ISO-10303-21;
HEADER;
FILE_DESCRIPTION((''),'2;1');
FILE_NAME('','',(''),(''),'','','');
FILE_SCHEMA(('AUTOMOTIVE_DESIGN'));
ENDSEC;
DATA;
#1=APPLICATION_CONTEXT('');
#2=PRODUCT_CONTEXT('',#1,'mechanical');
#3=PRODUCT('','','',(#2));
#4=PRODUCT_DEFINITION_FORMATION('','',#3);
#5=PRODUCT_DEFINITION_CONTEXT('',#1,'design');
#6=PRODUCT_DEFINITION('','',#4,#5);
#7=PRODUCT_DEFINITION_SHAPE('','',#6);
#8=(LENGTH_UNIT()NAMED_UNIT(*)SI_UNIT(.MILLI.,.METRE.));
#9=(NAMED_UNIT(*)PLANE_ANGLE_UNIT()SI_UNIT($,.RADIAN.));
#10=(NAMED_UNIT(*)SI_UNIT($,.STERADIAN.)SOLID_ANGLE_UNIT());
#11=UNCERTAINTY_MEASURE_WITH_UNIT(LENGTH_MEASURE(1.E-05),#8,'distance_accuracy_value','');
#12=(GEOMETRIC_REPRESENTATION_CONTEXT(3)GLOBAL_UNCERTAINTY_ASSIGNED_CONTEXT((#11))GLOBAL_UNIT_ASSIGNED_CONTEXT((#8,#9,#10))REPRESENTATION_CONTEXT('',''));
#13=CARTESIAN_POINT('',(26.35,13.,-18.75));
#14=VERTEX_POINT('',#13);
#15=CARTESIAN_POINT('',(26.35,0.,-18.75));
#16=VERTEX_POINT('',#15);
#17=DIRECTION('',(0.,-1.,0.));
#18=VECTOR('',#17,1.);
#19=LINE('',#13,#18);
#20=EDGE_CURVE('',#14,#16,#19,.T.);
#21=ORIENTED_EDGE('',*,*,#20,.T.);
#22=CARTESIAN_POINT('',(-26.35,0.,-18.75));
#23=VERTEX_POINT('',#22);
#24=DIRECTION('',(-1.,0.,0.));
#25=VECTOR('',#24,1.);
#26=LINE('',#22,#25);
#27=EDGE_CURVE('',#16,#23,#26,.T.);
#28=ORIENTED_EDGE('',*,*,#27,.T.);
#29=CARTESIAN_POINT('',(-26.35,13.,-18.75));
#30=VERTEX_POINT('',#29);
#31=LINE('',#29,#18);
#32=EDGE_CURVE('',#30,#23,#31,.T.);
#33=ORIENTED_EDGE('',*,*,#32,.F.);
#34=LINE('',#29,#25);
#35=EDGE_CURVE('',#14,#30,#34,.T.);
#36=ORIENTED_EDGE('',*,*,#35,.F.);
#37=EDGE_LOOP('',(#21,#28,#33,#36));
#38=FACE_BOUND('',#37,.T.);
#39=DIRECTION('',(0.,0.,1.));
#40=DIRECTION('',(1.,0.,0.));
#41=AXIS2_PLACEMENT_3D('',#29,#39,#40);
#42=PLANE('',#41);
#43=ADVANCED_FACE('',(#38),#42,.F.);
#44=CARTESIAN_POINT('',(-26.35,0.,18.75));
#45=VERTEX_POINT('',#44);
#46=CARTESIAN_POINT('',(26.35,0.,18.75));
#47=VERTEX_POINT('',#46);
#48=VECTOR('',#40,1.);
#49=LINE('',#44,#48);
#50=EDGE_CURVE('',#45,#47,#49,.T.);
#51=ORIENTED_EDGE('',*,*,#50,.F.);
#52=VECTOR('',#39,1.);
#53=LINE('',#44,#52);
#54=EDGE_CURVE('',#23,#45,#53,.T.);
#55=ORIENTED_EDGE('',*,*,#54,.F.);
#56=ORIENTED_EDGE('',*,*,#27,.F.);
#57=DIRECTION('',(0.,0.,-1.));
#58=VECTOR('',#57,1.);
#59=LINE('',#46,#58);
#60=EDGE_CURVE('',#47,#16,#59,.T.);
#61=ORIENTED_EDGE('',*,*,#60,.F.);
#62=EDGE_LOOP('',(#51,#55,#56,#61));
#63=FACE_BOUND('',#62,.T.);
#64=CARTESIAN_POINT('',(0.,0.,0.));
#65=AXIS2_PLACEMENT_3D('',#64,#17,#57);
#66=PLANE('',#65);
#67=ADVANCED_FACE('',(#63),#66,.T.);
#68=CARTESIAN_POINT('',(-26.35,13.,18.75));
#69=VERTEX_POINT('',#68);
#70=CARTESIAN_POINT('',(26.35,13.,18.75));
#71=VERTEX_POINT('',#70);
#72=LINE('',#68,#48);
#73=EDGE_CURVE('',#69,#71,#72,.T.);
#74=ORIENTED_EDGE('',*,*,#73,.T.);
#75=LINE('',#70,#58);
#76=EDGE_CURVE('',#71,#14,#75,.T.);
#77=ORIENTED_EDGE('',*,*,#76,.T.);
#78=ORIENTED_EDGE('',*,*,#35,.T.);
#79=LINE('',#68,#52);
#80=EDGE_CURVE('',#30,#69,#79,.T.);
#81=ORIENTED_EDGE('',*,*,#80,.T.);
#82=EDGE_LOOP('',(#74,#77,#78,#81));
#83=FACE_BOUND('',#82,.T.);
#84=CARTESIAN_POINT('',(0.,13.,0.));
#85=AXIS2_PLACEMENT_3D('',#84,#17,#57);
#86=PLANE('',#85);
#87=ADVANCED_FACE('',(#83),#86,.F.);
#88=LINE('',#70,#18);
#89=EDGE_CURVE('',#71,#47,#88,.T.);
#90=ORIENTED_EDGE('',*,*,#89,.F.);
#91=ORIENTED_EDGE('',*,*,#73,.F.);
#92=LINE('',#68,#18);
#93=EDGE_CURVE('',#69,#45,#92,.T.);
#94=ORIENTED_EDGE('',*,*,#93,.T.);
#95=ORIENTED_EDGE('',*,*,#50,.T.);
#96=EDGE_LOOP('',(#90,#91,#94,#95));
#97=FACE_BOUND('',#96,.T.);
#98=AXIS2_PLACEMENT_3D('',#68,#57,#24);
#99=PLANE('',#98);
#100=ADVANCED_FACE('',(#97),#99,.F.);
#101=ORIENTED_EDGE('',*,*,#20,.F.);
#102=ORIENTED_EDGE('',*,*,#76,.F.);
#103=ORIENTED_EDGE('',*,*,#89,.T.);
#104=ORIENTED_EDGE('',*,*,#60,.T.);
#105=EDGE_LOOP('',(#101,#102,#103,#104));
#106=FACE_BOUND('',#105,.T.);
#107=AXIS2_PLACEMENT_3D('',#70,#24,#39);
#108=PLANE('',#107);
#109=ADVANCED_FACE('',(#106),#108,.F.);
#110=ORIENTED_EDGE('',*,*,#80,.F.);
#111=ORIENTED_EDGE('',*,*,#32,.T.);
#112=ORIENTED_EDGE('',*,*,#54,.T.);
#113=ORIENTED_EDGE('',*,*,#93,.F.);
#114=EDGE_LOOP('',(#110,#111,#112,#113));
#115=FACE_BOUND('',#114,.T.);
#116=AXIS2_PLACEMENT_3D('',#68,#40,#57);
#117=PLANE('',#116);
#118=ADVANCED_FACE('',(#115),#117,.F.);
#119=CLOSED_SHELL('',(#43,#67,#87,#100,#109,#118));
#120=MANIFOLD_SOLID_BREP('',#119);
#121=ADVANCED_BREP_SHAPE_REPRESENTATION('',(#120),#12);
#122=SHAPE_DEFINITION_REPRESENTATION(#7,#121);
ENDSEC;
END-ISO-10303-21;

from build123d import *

# Parameters (mm, degrees)
ESQUISSE1_W        = 52.7
ESQUISSE1_H        = 37.5
BOSS_EXTRU_1_DEPTH = 13


with BuildPart() as part:
    # Esquisse1 → Boss.-Extru.1 (new body)
    with BuildSketch(Plane(origin=(0, 0, 0), x_dir=(1, 0, 0), z_dir=(0, 1, 0))):
        Rectangle(ESQUISSE1_W, ESQUISSE1_H)
    extrude(amount=BOSS_EXTRU_1_DEPTH)


solid = part.part
